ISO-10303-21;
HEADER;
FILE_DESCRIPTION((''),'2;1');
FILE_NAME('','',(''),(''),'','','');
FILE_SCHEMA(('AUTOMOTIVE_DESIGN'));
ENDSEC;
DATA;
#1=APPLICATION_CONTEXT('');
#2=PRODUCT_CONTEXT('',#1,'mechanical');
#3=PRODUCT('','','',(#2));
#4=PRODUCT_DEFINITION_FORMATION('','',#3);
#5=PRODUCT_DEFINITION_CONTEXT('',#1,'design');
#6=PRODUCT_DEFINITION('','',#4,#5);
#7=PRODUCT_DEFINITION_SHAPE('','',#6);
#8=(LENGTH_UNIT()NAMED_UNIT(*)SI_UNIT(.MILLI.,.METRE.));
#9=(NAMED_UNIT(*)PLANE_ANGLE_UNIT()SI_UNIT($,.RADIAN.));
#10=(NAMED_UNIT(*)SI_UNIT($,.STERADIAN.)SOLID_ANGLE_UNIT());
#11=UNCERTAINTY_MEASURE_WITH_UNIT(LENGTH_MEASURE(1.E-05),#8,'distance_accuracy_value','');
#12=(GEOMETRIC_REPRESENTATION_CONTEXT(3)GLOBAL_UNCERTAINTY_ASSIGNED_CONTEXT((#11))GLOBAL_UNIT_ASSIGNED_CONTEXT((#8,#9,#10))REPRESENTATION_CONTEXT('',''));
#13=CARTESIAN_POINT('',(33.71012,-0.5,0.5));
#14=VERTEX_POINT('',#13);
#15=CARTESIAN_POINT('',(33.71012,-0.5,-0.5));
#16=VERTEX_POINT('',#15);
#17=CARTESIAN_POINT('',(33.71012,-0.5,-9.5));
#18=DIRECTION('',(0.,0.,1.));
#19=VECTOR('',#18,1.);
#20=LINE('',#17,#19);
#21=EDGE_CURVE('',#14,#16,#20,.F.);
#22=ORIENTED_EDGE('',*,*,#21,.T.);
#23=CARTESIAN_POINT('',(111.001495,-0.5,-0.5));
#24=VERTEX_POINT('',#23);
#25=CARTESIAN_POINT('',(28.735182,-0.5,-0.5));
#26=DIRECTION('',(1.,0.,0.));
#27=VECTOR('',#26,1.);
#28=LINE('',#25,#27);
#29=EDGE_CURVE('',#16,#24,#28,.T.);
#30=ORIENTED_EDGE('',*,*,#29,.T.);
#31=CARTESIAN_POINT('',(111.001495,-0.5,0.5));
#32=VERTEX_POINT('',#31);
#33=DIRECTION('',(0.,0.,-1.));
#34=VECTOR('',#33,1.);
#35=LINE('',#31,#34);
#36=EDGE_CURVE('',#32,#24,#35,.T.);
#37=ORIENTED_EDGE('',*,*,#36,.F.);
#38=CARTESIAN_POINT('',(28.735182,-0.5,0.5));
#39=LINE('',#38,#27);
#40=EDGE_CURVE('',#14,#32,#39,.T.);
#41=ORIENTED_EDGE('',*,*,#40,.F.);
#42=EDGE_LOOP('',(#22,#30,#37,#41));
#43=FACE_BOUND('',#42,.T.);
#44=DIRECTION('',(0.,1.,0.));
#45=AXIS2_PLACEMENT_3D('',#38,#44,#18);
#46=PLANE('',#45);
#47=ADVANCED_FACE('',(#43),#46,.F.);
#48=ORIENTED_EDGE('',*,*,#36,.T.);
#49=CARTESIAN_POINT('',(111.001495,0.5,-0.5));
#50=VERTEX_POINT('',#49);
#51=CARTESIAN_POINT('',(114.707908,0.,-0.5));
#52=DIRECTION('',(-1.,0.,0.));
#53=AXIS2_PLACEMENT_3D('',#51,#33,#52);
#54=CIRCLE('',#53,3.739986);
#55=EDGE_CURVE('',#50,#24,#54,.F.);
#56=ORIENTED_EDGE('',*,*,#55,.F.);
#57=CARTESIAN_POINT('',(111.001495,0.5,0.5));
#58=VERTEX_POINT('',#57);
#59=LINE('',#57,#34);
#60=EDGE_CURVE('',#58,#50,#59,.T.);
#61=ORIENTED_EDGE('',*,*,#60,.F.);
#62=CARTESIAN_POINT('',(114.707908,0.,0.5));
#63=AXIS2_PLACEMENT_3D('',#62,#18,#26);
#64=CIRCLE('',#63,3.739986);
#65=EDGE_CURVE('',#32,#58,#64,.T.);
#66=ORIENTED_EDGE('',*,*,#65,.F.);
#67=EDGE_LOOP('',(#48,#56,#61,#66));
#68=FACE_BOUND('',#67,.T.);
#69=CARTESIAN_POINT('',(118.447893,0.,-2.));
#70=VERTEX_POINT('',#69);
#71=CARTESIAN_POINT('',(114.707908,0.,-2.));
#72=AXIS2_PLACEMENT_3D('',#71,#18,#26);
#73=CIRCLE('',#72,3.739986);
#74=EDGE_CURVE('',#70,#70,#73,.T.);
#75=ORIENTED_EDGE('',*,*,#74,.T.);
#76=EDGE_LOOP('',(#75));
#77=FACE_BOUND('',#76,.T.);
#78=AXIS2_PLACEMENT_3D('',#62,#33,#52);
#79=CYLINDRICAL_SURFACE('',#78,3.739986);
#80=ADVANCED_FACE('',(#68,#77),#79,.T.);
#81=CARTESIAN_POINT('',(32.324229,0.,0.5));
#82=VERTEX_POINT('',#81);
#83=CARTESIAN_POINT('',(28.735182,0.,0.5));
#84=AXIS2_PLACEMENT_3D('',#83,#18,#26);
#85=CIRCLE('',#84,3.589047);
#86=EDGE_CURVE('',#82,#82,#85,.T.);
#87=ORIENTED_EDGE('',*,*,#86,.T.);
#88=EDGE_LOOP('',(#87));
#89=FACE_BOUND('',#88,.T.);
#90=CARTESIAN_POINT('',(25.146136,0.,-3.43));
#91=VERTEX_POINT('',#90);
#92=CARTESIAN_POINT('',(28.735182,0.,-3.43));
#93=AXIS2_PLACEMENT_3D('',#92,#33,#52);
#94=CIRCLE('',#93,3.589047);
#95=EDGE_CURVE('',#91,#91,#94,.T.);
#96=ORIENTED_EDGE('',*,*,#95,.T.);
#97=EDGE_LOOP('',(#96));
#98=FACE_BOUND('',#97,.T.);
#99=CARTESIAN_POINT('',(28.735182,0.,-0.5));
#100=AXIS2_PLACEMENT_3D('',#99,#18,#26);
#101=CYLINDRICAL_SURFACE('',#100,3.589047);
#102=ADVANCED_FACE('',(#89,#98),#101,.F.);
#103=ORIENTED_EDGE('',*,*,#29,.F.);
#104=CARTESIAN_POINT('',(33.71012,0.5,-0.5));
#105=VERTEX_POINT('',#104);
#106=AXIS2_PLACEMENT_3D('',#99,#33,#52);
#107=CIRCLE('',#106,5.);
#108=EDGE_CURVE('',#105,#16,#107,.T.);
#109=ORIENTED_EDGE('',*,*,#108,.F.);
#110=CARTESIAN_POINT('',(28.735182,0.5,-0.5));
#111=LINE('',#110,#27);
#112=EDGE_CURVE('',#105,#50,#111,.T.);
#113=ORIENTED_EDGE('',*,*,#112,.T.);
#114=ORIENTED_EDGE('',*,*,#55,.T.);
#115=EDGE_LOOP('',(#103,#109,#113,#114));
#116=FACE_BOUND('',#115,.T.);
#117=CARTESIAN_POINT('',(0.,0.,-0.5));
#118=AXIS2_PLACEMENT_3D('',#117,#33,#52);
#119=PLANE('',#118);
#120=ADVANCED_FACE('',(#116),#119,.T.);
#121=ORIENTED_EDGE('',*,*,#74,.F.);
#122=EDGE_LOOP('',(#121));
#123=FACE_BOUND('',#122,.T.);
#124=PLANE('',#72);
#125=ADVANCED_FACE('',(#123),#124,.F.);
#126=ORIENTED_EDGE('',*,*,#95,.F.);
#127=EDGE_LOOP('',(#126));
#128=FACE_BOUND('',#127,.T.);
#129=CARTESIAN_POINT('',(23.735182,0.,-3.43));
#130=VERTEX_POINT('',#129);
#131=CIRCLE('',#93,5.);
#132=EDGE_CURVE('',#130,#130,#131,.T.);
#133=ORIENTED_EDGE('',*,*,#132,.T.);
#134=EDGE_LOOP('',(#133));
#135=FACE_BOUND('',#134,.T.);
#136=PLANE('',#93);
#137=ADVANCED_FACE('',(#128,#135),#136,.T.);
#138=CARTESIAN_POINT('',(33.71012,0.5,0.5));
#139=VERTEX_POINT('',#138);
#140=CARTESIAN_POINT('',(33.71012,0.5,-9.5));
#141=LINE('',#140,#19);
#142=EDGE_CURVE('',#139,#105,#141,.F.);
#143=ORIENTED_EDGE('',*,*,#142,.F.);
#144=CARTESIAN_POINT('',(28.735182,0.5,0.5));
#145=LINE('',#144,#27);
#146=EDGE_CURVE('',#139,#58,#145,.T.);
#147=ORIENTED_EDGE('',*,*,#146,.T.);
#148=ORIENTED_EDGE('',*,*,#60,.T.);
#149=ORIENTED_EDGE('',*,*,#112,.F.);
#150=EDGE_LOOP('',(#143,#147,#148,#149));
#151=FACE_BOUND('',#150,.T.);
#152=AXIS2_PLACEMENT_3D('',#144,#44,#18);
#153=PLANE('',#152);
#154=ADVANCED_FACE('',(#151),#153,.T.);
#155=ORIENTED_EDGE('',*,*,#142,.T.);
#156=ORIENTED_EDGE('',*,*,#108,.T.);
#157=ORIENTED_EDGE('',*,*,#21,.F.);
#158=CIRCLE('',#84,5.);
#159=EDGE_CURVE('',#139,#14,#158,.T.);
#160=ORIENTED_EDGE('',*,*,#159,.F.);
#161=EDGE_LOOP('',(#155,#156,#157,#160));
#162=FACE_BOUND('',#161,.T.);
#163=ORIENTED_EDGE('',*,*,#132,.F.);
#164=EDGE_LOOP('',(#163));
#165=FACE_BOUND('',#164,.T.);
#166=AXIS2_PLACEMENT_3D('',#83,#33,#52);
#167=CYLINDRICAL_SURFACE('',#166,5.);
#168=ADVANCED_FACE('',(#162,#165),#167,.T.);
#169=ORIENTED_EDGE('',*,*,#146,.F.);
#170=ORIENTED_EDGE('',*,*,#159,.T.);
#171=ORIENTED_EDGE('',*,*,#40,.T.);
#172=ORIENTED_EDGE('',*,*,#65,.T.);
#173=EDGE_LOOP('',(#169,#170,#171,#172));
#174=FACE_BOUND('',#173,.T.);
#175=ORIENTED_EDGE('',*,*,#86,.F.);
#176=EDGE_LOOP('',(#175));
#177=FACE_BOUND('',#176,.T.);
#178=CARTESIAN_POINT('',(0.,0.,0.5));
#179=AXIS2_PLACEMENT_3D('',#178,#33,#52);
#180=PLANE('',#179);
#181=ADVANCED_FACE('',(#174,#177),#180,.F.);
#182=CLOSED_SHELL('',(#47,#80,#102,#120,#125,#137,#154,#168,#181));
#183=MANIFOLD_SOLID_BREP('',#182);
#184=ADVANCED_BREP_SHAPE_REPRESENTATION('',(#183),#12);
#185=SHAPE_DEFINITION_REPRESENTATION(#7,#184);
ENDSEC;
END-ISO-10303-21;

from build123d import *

# Parameters (mm, degrees)
SKETCH4_W                = 85.972725278
SKETCH4_H                = 1
EXTRUDE_THIN1_DEPTH      = 0.5
SKETCH6_R                = 5
CUT_EXTRUDE1_DEPTH       = 10
BOSS_EXTRUDE2_DEPTH      = 0.5
BOSS_EXTRUDE2_DEPTH_BACK = 5
SKETCH7_R                = 3.739985504
BOSS_EXTRUDE3_START      = -0.5
SKETCH8_R                = 5
SKETCH8_R_2              = 3
BOSS_EXTRUDE3_DEPTH      = 1
MOVE_FACE1_BY            = 2
SKETCH10_R               = 3.589046815
CUT_EXTRUDE4_DEPTH       = 1
MOVE_FACE2_BY            = 5
SKETCH11_R               = 5
SKETCH11_R_2             = 3.589046815
BOSS_EXTRUDE4_DEPTH      = 2.93


with BuildPart() as part:
    # Sketch4 → Extrude-Thin1 (new, symmetric)
    with BuildSketch(Plane.XY):
        with Locations((71.721545049, 0)):
            Rectangle(SKETCH4_W, SKETCH4_H)
    extrude(amount=EXTRUDE_THIN1_DEPTH, both=True)

    # Sketch6 → Cut-Extrude1 (cut)
    with BuildSketch(Plane.XY.offset(0.5)):
        with Locations((28.73518241, 0)):
            Circle(SKETCH6_R)
    extrude(amount=-CUT_EXTRUDE1_DEPTH, mode=Mode.SUBTRACT)

    # Sketch7 → Boss-Extrude2 (add, two sides: drawn at the far end of the back side and taken through both)
    with BuildSketch(Plane.XY.offset(-BOSS_EXTRUDE2_DEPTH_BACK)):
        with Locations(Location((114.707907688, 0, 0), (0, 0, 187.682896446))):
            Circle(SKETCH7_R)
    extrude(amount=BOSS_EXTRUDE2_DEPTH + BOSS_EXTRUDE2_DEPTH_BACK)

    # Sketch8 → Boss-Extrude3 (add)
    with BuildSketch(Plane.XY.offset(BOSS_EXTRUDE3_START)):
        with Locations((28.73518241, 0)):
            Circle(SKETCH8_R)
        with Locations((28.73518241, 0)):
            Circle(SKETCH8_R_2, mode=Mode.SUBTRACT)
    extrude(amount=BOSS_EXTRUDE3_DEPTH)

    # Move Face1: a face moved outward by 2.0
    extrude(part.faces().sort_by_distance((114.707907688, 0, -5))[0], amount=MOVE_FACE1_BY, dir=(0, 0, -1))

    # Sketch10 → Cut-Extrude4 (cut)
    with BuildSketch(Plane.XY.offset(0.5)):
        with Locations((28.73518241, 0)):
            Circle(SKETCH10_R)
    extrude(amount=-CUT_EXTRUDE4_DEPTH, mode=Mode.SUBTRACT)

    # Move Face2: a face moved inward by 5.0
    extrude(part.faces().sort_by_distance((114.707907688, 0, -7))[0], amount=MOVE_FACE2_BY, dir=(0, 0, 1), mode=Mode.SUBTRACT)

    # Sketch11 → Boss-Extrude4 (add)
    with BuildSketch(Plane(origin=(0, 0, -0.5), x_dir=(-1, 0, 0), z_dir=(0, 0, -1))):
        with Locations((-28.73518241, 0)):
            Circle(SKETCH11_R)
        with Locations(Location((-28.73518241, 0, 0), (0, 0, 180))):
            Circle(SKETCH11_R_2, mode=Mode.SUBTRACT)
    extrude(amount=BOSS_EXTRUDE4_DEPTH)


solid = part.part
